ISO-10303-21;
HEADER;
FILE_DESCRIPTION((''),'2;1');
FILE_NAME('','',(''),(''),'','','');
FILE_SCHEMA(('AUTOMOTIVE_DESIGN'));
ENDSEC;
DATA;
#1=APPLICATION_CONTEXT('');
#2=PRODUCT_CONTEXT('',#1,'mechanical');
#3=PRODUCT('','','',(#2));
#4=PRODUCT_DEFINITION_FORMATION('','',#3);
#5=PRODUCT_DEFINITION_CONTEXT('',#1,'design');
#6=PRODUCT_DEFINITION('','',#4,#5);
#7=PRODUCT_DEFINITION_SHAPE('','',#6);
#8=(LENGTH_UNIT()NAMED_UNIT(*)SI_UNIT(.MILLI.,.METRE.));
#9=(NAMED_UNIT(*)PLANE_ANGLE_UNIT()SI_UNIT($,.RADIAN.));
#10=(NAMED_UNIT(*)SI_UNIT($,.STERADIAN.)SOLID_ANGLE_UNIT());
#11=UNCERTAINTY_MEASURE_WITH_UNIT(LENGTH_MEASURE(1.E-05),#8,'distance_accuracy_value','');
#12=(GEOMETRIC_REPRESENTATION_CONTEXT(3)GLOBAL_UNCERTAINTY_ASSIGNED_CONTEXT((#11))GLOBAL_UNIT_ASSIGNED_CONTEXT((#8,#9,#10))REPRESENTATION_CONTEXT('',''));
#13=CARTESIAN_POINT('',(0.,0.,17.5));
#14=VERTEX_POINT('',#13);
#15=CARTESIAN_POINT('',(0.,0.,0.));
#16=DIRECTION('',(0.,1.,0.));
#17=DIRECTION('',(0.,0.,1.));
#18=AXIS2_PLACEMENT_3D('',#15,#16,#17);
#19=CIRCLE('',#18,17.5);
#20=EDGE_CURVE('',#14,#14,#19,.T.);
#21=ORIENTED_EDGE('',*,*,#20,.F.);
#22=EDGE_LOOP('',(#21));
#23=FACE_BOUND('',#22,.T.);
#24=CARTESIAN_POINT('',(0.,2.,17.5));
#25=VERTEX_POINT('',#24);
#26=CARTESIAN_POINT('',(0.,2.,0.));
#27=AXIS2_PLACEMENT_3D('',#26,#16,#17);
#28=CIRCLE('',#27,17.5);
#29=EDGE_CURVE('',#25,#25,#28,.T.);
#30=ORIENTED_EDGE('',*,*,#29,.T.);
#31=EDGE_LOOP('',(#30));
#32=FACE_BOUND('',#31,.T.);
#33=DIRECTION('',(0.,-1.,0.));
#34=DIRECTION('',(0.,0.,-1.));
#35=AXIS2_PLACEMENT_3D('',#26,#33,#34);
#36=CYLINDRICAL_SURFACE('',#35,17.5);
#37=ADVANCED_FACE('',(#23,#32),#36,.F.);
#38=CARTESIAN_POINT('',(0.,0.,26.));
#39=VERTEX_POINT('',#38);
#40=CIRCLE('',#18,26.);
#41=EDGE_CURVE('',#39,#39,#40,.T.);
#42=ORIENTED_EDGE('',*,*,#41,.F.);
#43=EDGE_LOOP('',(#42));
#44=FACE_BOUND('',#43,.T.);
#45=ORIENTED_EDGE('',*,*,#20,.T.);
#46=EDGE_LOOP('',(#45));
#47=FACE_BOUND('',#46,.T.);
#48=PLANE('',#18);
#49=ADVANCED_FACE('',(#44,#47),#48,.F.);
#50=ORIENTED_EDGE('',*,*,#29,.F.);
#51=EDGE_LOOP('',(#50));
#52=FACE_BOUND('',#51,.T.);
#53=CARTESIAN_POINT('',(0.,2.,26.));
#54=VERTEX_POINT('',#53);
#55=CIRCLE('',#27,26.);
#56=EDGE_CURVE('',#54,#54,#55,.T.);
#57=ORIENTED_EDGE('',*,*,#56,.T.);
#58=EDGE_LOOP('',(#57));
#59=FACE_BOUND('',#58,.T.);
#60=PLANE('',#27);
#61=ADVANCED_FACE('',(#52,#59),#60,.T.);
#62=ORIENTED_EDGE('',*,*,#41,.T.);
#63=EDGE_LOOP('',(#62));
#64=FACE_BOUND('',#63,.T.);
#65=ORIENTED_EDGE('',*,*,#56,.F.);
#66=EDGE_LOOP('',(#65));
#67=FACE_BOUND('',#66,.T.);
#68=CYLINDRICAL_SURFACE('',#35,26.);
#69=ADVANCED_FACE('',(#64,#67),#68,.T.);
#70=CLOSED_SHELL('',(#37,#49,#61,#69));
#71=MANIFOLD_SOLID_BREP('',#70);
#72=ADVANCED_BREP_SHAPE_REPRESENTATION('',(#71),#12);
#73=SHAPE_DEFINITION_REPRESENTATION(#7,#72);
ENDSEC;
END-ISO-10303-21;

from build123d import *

# Parameters (mm, degrees)
SKETCH1_R           = 26
SKETCH1_R_2         = 17.5
BOSS_EXTRUDE1_DEPTH = 2


with BuildPart() as part:
    # Sketch1 → Boss-Extrude1 (new body)
    with BuildSketch(Plane(origin=(0, 0, 0), x_dir=(1, 0, 0), z_dir=(0, 1, 0))):
        Circle(SKETCH1_R)
        Circle(SKETCH1_R_2, mode=Mode.SUBTRACT)
    extrude(amount=BOSS_EXTRUDE1_DEPTH)


solid = part.part
